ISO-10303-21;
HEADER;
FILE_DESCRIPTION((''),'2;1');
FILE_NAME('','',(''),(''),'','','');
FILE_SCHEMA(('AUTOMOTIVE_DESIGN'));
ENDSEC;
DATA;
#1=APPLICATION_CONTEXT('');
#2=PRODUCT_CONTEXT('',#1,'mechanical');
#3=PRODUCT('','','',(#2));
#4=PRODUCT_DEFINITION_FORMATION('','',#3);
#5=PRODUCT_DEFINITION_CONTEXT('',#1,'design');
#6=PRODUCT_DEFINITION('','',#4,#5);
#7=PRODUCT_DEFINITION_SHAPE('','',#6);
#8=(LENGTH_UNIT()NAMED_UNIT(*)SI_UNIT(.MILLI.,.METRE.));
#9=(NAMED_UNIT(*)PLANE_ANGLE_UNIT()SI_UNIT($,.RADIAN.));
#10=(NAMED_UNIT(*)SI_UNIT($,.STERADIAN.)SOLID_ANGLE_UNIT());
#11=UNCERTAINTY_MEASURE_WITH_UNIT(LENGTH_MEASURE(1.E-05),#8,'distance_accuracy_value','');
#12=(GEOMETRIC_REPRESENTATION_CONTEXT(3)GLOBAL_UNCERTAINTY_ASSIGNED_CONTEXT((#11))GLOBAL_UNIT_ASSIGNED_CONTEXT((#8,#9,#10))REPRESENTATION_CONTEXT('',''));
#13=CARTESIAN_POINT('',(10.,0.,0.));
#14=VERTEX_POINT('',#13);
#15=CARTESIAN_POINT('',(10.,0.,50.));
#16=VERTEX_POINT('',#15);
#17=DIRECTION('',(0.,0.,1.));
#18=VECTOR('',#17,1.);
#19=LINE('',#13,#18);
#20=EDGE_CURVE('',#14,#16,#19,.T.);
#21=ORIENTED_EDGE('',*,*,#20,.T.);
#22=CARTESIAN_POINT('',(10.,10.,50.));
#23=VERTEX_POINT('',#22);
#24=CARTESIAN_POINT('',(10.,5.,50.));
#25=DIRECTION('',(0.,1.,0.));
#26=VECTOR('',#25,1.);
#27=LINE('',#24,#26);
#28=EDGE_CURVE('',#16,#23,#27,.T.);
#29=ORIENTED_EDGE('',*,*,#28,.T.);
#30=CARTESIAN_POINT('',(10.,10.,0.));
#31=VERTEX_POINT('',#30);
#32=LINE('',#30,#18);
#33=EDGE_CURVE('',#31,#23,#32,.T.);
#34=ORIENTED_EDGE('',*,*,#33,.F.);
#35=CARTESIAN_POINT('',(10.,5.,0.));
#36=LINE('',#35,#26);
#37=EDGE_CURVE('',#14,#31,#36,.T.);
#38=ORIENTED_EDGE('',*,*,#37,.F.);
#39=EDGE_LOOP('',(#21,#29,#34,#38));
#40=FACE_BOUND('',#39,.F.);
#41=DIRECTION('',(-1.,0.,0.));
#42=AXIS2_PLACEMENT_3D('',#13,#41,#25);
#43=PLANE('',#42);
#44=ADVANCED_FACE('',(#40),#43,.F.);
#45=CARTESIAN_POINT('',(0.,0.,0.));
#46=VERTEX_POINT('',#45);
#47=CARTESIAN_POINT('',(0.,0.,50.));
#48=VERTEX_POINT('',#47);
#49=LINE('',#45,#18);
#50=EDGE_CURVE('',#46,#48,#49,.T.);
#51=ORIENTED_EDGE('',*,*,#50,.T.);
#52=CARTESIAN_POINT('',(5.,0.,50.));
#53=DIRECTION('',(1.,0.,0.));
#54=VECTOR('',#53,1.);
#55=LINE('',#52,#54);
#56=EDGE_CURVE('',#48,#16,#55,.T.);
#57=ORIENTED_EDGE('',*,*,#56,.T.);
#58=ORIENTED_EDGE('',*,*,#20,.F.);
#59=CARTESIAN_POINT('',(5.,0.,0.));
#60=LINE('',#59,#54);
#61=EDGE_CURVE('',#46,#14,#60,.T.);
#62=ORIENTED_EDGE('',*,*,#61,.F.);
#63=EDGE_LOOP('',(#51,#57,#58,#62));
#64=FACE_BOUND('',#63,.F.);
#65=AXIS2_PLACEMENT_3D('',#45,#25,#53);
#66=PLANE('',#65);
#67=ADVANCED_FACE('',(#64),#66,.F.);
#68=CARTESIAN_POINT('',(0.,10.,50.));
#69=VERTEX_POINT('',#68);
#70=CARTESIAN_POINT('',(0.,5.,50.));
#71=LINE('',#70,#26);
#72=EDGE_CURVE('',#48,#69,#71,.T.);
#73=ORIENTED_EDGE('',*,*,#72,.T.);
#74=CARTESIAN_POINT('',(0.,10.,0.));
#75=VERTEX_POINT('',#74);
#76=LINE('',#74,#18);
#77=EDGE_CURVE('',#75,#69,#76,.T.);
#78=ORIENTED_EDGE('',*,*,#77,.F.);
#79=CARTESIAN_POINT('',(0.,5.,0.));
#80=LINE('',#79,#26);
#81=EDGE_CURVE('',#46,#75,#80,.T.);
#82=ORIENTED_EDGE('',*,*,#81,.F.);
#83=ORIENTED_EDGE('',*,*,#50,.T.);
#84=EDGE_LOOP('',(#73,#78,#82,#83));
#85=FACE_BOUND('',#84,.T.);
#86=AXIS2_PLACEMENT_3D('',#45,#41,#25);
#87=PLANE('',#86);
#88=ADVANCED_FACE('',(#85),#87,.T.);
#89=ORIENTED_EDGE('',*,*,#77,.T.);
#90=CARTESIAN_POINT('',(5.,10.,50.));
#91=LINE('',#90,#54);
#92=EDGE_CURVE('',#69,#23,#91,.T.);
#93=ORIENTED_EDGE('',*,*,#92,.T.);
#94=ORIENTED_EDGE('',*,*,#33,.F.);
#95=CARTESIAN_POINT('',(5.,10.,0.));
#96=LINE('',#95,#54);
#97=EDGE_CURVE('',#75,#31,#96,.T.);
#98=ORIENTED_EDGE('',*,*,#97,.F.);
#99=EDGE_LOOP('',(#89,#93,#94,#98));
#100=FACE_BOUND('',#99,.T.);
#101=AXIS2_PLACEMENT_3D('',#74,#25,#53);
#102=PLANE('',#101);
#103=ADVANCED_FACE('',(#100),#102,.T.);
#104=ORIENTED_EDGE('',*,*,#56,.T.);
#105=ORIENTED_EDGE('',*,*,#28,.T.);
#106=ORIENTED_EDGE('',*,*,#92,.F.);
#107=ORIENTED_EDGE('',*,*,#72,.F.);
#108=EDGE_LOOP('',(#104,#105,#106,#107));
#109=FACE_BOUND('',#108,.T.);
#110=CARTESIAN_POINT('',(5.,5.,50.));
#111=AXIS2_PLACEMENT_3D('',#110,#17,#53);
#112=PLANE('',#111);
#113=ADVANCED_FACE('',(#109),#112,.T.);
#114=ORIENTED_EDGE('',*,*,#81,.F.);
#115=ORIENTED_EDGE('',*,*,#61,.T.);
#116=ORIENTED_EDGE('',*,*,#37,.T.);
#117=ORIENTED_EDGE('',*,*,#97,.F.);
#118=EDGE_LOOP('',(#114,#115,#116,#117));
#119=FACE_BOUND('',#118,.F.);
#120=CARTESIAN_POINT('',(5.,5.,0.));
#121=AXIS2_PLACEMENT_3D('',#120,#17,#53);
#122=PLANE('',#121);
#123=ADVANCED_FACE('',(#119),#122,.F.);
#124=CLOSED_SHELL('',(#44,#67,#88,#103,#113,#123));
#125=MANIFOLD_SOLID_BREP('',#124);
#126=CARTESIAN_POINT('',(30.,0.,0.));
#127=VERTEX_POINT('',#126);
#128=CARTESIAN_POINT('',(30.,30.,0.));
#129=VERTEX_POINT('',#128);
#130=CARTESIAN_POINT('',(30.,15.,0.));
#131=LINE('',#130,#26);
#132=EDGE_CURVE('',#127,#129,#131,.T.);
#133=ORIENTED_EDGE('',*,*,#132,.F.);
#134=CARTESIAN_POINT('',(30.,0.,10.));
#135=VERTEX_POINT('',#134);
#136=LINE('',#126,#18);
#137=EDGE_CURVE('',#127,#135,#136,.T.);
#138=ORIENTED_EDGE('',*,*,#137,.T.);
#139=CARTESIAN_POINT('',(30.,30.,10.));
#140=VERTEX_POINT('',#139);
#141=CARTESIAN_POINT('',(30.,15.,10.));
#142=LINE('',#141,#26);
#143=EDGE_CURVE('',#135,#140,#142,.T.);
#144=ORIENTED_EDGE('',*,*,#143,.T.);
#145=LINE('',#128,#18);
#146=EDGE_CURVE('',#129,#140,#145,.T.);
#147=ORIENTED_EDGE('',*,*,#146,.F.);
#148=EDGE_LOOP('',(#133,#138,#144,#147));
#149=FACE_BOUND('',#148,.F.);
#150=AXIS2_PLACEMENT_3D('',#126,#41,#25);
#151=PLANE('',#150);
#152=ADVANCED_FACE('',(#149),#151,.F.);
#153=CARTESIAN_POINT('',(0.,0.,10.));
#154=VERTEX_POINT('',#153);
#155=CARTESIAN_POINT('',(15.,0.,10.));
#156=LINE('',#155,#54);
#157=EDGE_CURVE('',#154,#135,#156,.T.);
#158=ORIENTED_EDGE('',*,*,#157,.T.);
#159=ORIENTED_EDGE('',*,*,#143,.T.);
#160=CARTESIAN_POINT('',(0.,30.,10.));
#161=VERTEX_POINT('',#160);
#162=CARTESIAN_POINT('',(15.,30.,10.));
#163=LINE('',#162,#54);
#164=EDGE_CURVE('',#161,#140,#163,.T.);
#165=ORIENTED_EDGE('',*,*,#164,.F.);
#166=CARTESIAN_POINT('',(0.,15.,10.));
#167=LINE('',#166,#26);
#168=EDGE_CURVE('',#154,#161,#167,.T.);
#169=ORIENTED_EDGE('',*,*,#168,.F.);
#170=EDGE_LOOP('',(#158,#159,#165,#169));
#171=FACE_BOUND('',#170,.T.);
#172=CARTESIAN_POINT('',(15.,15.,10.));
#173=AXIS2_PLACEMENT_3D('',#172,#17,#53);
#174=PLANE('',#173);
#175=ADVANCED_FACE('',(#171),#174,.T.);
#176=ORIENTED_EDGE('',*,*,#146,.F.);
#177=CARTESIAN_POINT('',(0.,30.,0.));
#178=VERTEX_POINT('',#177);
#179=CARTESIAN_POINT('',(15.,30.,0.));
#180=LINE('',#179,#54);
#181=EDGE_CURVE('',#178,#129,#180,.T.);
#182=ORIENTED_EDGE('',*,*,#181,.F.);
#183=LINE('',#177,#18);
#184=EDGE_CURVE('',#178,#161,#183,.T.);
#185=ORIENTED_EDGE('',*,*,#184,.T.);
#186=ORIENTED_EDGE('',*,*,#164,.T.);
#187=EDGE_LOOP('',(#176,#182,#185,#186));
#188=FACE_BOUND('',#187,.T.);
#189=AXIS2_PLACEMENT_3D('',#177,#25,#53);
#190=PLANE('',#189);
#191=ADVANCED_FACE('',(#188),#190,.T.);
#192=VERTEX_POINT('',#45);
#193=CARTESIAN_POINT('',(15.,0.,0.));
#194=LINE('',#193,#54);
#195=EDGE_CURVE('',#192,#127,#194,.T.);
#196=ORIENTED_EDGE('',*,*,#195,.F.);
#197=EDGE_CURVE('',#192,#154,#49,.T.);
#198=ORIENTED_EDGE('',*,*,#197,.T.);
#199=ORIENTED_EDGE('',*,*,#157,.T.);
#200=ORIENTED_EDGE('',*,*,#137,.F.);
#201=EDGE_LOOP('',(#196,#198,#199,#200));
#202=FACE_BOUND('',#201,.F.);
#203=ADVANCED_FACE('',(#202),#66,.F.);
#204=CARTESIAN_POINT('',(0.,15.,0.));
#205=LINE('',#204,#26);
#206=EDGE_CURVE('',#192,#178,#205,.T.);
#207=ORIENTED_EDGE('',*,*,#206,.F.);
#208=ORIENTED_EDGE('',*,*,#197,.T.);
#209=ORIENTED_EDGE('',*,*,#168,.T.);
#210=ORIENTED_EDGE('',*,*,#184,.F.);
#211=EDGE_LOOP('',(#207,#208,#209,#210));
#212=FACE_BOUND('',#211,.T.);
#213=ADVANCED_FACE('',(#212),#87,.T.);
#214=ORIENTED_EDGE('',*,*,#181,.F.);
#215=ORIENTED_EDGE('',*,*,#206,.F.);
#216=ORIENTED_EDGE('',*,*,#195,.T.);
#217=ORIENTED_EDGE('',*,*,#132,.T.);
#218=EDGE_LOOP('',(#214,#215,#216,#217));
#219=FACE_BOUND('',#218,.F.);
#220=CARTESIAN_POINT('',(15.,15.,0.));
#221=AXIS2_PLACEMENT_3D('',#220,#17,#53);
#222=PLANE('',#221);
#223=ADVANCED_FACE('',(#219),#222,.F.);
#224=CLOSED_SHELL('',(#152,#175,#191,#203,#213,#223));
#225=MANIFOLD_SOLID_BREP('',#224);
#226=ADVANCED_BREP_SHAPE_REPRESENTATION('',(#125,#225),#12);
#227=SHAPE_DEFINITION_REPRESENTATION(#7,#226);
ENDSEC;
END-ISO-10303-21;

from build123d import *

# Parameters (mm, degrees)
BOX_W        = 30
BOX_H        = 30
BOX_DEPTH    = 10
BOX001_W     = 10
BOX001_H     = 10
BOX001_DEPTH = 50


with BuildPart() as cub:
    # Box → Box (new body)
    with BuildSketch(Plane.XY):
        with Locations((15, 15)):
            Rectangle(BOX_W, BOX_H)
    extrude(amount=BOX_DEPTH)


with BuildPart() as cub001:
    # Box001 → Box001 (new body)
    with BuildSketch(Plane.XY):
        with Locations((5, 5)):
            Rectangle(BOX001_W, BOX001_H)
    extrude(amount=BOX001_DEPTH)


solid = Compound([cub.part, cub001.part])
